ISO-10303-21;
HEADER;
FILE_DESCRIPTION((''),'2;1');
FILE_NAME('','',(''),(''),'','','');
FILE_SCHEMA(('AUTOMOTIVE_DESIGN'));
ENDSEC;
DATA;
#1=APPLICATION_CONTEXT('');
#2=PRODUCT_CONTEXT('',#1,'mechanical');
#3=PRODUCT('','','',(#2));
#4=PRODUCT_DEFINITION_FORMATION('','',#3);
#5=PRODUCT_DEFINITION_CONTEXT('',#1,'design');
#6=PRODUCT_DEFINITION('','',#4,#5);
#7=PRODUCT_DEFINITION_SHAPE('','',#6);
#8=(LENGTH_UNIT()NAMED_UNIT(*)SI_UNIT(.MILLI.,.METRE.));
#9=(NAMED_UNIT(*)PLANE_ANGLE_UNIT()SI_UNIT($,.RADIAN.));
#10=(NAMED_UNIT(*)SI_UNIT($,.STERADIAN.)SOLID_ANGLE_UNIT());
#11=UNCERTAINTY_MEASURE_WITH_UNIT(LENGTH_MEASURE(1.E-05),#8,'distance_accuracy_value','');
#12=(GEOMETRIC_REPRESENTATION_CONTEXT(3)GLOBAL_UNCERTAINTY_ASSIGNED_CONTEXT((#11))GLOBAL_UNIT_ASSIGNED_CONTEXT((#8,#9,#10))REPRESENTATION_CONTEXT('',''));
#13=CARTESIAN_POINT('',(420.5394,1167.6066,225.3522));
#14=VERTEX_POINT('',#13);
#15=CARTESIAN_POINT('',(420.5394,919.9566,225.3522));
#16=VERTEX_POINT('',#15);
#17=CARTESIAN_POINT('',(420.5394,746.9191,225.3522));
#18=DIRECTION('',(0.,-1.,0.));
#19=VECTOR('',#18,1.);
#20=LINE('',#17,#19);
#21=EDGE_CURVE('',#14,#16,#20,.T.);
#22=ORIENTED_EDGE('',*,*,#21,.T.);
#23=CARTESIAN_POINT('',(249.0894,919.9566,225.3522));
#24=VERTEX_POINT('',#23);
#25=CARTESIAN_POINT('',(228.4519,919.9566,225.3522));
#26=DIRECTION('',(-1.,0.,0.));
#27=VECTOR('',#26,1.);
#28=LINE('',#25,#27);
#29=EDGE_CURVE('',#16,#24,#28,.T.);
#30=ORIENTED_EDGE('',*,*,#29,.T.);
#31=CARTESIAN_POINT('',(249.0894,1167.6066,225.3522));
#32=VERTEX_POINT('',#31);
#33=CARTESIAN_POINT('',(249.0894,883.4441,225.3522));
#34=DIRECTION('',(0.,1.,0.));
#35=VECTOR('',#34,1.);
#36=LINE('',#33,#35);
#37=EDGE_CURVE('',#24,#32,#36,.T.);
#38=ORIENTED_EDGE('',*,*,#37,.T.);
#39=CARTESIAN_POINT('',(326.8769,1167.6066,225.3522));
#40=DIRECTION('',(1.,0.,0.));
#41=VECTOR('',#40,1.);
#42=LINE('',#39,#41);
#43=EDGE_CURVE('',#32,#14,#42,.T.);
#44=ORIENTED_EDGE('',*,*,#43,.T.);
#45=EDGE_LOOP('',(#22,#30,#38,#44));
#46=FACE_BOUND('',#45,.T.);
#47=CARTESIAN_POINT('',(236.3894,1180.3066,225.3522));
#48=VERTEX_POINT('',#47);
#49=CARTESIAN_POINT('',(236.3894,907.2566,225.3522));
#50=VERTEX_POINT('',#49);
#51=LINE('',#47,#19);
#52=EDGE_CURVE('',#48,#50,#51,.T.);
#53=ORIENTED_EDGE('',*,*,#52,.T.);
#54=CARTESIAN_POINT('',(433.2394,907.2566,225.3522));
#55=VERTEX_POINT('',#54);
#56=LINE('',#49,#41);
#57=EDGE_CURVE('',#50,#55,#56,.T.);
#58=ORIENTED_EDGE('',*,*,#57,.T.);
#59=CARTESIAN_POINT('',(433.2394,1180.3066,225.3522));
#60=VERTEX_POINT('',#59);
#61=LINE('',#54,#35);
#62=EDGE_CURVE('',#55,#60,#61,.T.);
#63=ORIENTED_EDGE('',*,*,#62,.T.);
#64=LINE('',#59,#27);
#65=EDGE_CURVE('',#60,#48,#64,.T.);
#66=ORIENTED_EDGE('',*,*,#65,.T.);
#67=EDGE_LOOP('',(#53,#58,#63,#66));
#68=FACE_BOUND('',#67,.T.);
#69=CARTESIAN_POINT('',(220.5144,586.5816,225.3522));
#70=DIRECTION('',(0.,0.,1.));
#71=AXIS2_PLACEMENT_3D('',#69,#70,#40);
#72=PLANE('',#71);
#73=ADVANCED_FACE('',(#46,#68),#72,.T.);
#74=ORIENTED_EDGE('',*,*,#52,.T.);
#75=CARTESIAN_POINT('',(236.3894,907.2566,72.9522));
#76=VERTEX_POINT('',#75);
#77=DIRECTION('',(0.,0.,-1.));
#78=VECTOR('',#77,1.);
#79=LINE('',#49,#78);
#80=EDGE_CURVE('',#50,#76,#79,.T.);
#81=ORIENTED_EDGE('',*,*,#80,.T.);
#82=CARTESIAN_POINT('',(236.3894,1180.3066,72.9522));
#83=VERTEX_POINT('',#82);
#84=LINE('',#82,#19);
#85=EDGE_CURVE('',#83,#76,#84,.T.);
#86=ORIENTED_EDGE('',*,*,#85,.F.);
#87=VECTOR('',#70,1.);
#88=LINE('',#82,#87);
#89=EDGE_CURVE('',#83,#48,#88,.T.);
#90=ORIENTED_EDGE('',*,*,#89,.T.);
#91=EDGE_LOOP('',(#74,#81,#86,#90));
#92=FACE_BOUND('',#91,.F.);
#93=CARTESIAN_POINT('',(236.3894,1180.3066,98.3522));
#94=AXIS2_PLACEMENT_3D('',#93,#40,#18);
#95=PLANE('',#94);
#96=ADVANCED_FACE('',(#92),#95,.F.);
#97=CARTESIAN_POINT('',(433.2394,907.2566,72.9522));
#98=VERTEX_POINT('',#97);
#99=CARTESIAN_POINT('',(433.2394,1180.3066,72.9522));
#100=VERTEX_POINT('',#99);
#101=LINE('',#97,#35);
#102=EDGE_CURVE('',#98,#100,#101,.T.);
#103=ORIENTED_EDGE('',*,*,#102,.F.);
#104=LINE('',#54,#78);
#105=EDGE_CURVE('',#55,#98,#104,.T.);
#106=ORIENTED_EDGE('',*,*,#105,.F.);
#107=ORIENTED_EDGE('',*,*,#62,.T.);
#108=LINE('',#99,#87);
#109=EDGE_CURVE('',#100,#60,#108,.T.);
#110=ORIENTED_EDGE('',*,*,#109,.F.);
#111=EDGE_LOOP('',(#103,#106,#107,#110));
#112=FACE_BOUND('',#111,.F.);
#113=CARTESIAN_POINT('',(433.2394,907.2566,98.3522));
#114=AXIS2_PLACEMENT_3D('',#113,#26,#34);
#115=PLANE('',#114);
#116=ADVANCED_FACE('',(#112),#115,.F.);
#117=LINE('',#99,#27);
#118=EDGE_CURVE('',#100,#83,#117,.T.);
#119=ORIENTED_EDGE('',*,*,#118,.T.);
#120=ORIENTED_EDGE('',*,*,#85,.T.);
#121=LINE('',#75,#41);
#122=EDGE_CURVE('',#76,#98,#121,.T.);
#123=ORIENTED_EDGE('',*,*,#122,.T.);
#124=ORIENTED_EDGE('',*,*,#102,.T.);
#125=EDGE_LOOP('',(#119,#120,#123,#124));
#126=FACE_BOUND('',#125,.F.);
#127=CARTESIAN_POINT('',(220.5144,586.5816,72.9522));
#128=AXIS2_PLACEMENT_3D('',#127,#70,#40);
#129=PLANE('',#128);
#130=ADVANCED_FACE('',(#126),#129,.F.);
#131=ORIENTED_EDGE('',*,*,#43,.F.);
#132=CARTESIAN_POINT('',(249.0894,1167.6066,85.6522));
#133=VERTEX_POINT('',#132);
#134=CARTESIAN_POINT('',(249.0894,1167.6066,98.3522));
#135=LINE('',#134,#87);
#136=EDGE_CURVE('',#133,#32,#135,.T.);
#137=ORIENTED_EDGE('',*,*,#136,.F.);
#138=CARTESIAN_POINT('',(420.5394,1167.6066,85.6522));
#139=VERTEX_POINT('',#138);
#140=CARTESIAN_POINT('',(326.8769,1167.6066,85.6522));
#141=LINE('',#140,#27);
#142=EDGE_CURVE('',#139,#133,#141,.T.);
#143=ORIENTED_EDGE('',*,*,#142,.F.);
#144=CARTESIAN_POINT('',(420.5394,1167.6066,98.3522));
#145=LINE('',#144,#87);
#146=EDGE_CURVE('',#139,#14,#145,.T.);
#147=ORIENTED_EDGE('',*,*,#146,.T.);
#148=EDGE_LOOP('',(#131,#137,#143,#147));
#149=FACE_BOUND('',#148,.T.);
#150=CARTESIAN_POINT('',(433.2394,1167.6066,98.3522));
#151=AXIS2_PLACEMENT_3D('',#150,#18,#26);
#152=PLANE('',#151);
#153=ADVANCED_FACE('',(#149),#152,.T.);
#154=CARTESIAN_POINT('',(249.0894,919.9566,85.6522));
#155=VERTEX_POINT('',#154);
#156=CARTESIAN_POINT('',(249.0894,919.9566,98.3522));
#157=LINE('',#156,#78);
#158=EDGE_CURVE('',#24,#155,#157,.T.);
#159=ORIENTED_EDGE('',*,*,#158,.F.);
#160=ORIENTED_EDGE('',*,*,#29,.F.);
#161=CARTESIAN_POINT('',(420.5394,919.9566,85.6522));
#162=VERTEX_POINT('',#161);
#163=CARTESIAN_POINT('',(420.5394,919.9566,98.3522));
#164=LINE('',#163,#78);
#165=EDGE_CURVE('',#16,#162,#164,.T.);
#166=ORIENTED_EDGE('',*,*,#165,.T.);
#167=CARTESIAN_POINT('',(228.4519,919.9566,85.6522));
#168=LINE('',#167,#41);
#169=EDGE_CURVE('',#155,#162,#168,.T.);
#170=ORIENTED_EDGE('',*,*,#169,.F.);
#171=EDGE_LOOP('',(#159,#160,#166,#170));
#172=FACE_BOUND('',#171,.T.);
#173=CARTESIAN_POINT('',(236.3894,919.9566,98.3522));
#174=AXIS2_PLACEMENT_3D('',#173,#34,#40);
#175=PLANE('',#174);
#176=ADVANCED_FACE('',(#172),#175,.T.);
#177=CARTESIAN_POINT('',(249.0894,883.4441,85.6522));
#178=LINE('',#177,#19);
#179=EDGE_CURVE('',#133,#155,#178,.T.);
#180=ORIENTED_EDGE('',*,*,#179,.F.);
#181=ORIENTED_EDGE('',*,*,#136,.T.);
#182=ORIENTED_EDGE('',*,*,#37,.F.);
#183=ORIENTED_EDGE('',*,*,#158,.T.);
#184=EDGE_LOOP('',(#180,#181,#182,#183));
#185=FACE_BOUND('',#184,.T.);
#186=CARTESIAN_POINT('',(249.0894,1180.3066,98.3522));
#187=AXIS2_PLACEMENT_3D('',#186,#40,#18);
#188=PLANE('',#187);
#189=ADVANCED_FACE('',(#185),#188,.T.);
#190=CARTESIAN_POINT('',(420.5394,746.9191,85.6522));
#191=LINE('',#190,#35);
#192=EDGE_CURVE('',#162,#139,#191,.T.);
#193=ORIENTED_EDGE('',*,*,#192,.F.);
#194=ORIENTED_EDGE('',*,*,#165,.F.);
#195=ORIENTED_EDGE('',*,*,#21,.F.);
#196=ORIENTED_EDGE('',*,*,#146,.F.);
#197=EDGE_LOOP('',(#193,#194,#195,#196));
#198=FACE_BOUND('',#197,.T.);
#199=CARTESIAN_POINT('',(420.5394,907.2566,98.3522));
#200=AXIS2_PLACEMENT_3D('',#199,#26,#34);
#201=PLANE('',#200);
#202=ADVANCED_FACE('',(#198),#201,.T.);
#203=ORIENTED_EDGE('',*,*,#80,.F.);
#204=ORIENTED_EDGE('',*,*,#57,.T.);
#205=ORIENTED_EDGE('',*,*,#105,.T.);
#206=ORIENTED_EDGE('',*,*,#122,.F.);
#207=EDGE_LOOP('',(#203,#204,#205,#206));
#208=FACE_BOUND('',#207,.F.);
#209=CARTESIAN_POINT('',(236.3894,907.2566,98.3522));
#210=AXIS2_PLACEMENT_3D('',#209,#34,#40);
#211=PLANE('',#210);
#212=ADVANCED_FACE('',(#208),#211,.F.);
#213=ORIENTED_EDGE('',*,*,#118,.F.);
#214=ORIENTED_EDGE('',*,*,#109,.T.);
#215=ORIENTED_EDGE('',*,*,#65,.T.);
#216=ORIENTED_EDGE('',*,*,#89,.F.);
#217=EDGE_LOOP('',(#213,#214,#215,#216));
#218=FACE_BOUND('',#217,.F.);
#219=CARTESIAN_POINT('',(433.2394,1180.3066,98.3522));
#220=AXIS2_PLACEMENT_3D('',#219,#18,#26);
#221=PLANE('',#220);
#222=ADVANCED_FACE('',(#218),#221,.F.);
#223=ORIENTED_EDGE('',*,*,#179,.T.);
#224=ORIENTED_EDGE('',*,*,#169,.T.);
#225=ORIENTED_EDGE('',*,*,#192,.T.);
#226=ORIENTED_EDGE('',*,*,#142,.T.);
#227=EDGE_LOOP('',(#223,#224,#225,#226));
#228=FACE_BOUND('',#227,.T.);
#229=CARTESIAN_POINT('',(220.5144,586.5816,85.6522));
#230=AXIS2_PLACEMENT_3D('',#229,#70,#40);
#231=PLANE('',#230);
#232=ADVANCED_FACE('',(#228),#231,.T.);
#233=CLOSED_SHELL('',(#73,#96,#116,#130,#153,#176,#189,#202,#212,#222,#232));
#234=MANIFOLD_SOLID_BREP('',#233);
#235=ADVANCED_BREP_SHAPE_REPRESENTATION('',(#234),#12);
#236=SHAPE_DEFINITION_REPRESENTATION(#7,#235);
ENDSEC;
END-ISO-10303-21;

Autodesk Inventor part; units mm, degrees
ref_plane "YZ Plane" through (0, 0, 0) normal (1, 0, 0) x (0, 1, 0)
ref_plane "XZ Plane" through (0, 0, 0) normal (0, 1, 0) x (-1, 0, 0)
ref_plane "Work Plane1" through (220.5144, 586.5816, 98.3522) normal (0, 0, 1) x (1, 0, 0)
sketch "Sketch1" plane through (220.5144, 586.5816, 98.3522) normal (0, 0, 1) x (1, 0, 0)
  line L0 (12.7, 622.3) -> (215.9, 622.3)
  line L1 (12.7, 317.5) -> (215.9, 317.5)
  line L2 (241.3, 317.5) -> (241.3, 596.9)
  line L3 (-12.7, 596.9) -> (-12.7, 317.5)
  line L4 (215.9, 596.9) -> (12.7, 596.9)
  line L5 (215.9, 596.9) -> (215.9, 317.5)
  line L6 (12.7, 317.5) -> (12.7, 596.9)
  line L7 (212.725, 593.725) -> (15.875, 593.725)
  line L8 (15.875, 593.725) -> (15.875, 320.675)
  line L9 (15.875, 320.675) -> (212.725, 320.675)
  line L10 (212.725, 320.675) -> (212.725, 593.725)
  point P0 (-220.5144, -586.5816)
extrude "Extrusion1" add sketch "Sketch1" along normal blind 127 and the other way blind 25.4 contours L10 L9 L8 L7
shell "Shell1" thickness 12.7 removed faces 1 at (302.006, 1089.2899, 225.3522)
sketch "Sketch2" plane through (433.2394, 907.2566, 225.3522) normal (1, 0, 0) x (0, 0, -1)
  line L0 (64.2794, 112.1381) -> (64.2794, 158.5332) construction
  line L1 (64.2794, 158.5332) -> (96.9042, 158.5332) construction
  line L2 (96.9042, 158.5332) -> (96.9042, 112.1381) construction
  line L3 (96.9042, 112.1381) -> (64.2794, 112.1381) construction
  line L4 (3.9697, 3.4317) -> (3.9697, 49.8268) construction
  line L5 (3.9697, 49.8268) -> (36.5945, 49.8268) construction
  line L6 (36.5945, 49.8268) -> (36.5945, 3.4317) construction
  line L7 (36.5945, 3.4317) -> (3.9697, 3.4317) construction
  point P0 (225.3522, -907.2566)
sketch "Sketch3" plane through (236.3894, 907.2566, 225.3522) normal (-1, 0, 0) x (0, 0, 1)
  line L0 (-63.2632, 158.0563) -> (-63.2632, 111.6612) construction
  line L1 (-63.2632, 111.6612) -> (-95.888, 111.6612) construction
  line L2 (-95.888, 111.6612) -> (-95.888, 158.0563) construction
  line L3 (-95.888, 158.0563) -> (-63.2632, 158.0563) construction
  line L4 (-5.0298, 267.8039) -> (-5.0298, 221.4088) construction
  line L5 (-5.0298, 221.4088) -> (-37.6546, 221.4088) construction
  line L6 (-37.6546, 221.4088) -> (-37.6546, 267.8039) construction
  line L7 (-37.6546, 267.8039) -> (-5.0298, 267.8039) construction
  point P0 (-225.3522, -907.2566)
properties part number "Bucket yellow"
